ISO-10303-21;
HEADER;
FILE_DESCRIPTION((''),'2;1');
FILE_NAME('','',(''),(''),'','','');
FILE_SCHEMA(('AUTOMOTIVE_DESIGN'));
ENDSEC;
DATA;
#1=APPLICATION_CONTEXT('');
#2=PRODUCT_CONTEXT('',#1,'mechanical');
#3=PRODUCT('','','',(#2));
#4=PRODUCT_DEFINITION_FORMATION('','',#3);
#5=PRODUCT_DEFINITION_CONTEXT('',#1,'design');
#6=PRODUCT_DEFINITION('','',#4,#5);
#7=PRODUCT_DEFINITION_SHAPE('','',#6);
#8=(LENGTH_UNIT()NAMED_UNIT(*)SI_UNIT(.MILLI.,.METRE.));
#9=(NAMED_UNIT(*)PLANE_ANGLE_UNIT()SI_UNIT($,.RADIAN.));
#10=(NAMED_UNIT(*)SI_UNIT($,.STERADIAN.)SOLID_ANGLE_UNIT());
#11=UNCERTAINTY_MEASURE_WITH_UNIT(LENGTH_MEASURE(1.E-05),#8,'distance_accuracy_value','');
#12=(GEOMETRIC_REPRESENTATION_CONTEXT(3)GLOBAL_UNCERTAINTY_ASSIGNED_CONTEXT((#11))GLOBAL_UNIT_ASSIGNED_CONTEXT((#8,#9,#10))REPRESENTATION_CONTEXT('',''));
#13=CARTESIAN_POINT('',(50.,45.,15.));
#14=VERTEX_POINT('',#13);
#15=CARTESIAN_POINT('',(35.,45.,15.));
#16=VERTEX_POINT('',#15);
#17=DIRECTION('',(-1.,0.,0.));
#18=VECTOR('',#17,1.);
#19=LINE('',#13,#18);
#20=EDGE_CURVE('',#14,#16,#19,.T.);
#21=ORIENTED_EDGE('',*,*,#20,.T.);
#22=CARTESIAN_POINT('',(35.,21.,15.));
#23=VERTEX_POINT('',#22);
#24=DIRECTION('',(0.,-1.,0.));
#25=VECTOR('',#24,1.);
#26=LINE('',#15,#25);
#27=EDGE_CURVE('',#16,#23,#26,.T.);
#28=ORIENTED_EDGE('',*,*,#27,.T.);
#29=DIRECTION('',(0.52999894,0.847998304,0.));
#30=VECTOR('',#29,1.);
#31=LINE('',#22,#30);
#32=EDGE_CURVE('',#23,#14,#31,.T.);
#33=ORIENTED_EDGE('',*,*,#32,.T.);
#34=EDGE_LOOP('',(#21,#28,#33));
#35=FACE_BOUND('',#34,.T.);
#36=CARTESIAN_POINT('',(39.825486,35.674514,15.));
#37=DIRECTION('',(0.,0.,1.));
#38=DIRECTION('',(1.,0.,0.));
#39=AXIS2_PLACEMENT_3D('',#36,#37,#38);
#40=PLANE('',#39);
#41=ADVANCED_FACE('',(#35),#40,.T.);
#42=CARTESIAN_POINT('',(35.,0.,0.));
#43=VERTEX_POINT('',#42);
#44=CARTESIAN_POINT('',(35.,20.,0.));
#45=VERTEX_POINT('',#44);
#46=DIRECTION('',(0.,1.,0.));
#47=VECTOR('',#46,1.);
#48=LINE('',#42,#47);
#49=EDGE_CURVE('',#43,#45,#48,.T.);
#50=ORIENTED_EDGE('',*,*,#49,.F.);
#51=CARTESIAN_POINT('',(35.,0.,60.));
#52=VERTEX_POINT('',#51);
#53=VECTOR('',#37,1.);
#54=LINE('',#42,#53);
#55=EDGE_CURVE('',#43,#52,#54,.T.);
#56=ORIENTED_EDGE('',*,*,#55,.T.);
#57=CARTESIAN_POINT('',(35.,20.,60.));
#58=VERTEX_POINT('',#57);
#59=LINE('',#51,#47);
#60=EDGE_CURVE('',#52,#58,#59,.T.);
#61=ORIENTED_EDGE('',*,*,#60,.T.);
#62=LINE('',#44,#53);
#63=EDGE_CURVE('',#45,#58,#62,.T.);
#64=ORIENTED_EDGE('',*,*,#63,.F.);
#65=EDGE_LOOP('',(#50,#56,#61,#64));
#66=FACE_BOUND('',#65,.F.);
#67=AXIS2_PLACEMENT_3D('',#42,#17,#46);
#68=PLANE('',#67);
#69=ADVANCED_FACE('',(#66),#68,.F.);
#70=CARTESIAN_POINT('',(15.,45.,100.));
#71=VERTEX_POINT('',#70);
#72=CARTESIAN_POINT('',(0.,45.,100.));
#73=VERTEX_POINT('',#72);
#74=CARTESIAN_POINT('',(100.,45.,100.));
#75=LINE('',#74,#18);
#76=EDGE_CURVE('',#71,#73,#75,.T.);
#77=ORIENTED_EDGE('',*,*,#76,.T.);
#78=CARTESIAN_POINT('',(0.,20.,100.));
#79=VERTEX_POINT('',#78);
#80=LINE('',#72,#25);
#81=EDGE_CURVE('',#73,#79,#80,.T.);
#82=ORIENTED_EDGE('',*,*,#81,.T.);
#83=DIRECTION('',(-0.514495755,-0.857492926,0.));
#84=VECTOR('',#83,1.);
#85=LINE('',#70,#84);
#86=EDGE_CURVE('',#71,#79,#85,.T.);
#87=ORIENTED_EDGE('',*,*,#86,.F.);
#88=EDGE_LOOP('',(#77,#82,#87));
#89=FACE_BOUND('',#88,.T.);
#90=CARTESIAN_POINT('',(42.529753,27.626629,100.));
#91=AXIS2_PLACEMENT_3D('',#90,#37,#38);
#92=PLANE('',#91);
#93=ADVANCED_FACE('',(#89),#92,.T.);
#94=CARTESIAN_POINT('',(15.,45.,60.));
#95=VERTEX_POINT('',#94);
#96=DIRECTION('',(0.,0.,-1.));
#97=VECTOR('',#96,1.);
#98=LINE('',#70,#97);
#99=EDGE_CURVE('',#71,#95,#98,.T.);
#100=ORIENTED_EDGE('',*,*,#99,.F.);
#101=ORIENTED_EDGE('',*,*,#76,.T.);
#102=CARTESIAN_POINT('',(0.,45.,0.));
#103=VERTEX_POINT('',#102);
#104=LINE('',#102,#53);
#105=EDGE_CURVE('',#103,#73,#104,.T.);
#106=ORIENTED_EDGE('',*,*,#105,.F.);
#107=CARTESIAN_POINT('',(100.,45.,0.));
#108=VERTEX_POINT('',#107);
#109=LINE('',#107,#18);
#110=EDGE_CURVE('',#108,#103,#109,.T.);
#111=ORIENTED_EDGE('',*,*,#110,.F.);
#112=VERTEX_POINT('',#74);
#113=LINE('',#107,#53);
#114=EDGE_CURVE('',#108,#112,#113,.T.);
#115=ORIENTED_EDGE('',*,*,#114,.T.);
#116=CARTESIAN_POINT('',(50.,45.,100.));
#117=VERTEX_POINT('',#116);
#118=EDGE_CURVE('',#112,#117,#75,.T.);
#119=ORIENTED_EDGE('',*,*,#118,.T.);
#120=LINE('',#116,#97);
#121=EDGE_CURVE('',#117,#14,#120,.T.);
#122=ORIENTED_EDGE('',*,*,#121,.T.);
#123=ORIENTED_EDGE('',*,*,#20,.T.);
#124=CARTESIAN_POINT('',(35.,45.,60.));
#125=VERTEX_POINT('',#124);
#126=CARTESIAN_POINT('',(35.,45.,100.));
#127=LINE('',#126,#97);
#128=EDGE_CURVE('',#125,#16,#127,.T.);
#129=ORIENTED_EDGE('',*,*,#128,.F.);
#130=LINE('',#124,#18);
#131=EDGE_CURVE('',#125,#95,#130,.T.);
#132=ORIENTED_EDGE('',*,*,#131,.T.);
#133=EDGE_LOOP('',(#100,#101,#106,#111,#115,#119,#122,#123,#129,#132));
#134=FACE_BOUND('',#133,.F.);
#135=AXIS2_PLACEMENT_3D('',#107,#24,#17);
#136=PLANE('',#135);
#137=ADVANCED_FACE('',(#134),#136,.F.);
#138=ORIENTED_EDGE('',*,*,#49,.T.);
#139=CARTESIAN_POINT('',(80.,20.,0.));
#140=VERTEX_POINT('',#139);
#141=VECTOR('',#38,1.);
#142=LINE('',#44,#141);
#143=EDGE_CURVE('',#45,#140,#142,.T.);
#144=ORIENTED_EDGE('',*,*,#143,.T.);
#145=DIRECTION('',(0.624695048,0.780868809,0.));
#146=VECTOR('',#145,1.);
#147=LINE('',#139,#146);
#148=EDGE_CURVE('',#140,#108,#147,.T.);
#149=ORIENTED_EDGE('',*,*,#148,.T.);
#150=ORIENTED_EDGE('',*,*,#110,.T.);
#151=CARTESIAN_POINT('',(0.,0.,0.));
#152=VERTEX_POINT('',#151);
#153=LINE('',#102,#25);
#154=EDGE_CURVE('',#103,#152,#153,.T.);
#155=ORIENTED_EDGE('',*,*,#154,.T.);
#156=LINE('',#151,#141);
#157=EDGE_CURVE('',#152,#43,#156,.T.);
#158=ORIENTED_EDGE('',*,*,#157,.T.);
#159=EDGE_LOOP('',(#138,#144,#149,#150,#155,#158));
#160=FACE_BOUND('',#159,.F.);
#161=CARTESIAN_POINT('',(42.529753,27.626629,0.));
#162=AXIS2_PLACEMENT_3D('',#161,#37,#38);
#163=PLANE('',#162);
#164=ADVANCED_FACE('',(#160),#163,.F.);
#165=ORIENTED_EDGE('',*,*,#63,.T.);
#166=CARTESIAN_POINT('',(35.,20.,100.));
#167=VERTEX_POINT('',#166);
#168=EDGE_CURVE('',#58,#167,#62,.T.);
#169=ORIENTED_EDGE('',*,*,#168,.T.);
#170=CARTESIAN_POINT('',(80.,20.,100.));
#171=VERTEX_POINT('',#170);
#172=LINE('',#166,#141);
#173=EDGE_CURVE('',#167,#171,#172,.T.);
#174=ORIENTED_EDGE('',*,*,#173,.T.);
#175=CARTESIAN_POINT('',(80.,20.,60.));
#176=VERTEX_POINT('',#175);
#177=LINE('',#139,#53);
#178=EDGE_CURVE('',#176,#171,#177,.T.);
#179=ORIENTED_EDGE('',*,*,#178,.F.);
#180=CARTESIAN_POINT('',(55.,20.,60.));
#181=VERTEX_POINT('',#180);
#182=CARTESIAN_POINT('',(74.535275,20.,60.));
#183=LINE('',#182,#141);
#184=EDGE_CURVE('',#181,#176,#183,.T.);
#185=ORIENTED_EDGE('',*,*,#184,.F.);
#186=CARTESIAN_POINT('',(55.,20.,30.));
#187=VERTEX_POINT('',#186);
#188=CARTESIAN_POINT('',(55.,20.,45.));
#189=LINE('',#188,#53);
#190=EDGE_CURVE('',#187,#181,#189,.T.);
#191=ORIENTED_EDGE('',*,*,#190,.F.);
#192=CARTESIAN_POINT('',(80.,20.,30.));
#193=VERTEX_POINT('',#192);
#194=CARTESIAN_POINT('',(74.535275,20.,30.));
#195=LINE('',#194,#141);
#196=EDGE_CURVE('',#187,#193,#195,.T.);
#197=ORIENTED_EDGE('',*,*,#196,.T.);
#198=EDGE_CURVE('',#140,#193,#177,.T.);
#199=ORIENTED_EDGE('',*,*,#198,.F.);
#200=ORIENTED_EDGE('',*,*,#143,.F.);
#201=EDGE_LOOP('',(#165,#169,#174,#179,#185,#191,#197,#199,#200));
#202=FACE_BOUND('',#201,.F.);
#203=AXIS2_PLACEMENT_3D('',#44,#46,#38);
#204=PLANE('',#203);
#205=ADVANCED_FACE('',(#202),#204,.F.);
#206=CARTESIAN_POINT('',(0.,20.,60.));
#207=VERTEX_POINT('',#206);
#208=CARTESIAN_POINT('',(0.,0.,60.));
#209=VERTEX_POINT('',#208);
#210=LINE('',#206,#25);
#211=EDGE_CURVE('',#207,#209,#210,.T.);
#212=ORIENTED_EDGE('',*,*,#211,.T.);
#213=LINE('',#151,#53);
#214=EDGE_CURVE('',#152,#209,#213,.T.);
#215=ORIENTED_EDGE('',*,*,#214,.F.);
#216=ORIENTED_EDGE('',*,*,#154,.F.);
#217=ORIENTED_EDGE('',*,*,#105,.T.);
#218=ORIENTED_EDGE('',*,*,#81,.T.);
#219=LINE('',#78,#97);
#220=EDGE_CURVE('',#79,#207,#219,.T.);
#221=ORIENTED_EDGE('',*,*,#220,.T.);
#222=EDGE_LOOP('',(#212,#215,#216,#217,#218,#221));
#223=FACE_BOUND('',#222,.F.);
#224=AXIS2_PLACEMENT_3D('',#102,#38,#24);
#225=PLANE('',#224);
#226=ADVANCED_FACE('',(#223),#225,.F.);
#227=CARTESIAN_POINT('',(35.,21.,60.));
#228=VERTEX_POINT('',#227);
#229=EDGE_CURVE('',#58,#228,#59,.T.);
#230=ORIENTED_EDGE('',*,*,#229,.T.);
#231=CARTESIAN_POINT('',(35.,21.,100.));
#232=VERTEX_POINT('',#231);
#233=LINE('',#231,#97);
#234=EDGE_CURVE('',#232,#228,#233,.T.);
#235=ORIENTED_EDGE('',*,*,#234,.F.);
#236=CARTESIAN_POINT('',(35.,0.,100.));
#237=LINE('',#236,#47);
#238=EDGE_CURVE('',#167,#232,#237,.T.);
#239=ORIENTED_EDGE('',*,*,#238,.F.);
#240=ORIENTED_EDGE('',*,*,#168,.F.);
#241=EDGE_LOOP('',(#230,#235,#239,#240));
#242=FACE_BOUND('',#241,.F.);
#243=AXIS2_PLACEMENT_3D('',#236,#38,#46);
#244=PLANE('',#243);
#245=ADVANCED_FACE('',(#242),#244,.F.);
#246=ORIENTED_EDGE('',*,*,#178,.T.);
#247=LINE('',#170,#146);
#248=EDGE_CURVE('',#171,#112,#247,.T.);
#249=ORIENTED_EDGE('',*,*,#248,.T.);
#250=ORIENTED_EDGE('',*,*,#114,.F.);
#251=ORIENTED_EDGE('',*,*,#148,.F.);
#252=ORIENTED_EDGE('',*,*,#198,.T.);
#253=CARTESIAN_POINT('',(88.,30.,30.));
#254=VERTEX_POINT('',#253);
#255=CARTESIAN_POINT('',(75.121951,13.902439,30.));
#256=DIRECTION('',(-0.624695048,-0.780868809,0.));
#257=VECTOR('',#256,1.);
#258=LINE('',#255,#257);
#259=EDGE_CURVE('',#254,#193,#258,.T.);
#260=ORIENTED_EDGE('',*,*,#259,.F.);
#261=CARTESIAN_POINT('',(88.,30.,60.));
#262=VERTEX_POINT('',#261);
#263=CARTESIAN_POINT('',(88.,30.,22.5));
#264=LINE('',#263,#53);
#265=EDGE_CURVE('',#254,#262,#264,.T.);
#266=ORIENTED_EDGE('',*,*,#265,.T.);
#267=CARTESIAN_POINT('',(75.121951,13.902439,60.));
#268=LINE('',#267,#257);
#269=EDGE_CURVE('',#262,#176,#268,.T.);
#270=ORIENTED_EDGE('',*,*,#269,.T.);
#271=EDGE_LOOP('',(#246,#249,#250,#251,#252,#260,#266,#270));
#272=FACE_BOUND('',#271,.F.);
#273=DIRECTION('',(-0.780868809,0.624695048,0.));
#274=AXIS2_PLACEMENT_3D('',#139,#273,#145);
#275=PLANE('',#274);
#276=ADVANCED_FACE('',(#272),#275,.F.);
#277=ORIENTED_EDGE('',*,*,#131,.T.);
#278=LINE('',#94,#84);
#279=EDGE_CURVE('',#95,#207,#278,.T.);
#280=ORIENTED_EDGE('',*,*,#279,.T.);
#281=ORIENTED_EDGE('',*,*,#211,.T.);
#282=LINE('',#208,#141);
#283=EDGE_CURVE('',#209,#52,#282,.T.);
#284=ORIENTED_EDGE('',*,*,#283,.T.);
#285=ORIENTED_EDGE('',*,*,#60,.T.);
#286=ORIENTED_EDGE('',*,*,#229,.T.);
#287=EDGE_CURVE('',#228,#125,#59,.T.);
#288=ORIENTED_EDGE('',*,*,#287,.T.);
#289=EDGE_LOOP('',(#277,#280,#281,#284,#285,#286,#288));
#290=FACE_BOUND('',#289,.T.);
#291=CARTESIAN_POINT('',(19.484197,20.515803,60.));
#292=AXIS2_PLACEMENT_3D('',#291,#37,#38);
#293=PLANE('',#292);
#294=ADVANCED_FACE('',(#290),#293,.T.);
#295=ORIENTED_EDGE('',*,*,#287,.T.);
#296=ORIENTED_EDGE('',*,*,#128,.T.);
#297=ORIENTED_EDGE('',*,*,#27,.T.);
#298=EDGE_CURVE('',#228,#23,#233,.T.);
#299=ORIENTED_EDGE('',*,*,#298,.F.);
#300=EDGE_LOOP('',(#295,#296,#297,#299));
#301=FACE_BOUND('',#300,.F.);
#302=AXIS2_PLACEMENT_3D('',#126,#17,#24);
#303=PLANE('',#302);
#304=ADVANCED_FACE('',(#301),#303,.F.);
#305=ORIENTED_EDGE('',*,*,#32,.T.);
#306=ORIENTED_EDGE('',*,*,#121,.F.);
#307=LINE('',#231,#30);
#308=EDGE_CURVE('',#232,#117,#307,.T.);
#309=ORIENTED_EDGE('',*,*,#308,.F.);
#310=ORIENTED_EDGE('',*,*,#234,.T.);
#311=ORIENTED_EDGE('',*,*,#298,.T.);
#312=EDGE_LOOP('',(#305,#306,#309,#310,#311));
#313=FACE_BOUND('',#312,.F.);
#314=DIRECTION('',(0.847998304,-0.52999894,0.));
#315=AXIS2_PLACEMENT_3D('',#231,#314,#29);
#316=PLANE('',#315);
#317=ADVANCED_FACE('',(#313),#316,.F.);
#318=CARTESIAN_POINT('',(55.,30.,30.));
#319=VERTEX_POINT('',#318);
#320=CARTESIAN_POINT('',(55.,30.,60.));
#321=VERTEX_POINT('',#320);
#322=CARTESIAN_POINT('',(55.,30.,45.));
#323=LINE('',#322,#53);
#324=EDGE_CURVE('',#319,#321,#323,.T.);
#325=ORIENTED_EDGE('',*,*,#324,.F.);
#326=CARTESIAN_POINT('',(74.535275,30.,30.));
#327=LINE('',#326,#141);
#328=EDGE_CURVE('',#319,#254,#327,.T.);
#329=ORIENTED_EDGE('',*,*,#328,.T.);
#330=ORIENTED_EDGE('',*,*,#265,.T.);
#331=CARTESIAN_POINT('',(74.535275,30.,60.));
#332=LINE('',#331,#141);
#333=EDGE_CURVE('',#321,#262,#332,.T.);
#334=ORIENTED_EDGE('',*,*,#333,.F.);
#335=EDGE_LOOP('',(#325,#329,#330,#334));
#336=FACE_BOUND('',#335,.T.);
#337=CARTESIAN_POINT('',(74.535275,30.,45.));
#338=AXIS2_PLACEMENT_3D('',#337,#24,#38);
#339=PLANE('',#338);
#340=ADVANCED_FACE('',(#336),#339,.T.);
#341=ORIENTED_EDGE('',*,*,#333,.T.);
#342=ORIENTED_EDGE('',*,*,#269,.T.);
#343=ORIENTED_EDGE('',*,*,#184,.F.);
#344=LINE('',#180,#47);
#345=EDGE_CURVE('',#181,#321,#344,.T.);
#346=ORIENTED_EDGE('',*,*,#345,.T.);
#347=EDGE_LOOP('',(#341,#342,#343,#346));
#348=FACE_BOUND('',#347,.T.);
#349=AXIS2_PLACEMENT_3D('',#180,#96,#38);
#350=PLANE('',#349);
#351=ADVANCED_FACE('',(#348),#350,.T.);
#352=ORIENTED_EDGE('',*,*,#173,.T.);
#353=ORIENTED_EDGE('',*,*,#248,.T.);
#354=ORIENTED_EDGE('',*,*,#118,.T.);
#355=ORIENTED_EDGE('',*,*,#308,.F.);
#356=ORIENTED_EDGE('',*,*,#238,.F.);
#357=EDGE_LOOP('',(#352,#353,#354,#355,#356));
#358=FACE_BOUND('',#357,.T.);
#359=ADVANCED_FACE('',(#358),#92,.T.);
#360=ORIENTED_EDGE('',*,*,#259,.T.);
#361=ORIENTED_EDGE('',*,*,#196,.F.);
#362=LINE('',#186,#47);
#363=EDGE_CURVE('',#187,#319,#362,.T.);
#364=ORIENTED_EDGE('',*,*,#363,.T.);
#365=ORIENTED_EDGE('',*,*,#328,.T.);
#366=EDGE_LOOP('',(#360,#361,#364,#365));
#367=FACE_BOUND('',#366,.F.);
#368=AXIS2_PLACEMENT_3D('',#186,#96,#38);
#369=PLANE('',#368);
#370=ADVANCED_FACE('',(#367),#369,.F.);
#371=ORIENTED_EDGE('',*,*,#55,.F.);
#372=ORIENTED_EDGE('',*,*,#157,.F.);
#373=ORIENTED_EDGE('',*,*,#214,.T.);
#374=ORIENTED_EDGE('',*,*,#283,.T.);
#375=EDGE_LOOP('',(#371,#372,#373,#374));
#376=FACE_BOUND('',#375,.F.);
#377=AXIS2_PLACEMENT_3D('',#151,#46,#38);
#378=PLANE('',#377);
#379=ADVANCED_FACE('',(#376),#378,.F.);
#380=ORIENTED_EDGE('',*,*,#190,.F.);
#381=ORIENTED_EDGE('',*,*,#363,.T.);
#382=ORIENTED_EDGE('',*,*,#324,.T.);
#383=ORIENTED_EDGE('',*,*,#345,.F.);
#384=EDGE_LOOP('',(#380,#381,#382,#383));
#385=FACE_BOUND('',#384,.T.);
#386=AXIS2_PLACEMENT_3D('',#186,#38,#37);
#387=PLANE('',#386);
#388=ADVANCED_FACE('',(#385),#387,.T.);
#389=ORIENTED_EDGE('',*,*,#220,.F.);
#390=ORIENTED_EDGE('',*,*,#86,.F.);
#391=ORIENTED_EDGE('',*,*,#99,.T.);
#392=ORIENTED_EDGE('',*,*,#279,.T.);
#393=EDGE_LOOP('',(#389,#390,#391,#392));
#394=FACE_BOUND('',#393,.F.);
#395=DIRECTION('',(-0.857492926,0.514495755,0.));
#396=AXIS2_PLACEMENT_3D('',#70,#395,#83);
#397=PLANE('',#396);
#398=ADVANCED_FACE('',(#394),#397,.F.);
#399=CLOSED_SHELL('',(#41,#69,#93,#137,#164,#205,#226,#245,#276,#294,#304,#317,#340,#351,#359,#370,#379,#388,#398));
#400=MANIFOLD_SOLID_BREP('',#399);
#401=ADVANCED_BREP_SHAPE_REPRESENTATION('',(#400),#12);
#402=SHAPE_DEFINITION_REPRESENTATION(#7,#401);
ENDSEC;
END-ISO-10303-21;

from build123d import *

# Parameters (mm, degrees)
F1_DEPTH = 100
F3_DEPTH = 40
F6_DEPTH = 85
F7_W     = 39.07055
F7_H     = 30
F8_DEPTH = 10


with BuildPart() as f1:
    # F0 (on Top) → F1 (new body)
    with BuildSketch(Plane.XY):
        Polygon((0, 45), (0, 0), (35, 0), (35, 20), (80, 20), (100, 45), align=None)
    extrude(amount=F1_DEPTH)

    # F2 (on face) → F3 (cut)
    with BuildSketch(Plane.XY.offset(100)):
        Polygon((0, 0), (35, 0), (35, 45), (15, 45), (0, 20), align=None)
    extrude(amount=-F3_DEPTH, mode=Mode.SUBTRACT)

    # F5 (on face) → F6 (cut, through all)
    with BuildSketch(Plane.XY.offset(100)):
        Polygon((50, 45), (35, 45), (35, 21), align=None)
    extrude(amount=-F6_DEPTH, mode=Mode.SUBTRACT)

    # F7 (on face) → F8 (cut)
    with BuildSketch(Plane.XZ.offset(-20)):
        with Locations((74.535275, 45)):
            Rectangle(F7_W, F7_H)
    extrude(amount=-F8_DEPTH, mode=Mode.SUBTRACT)


solid = f1.part
